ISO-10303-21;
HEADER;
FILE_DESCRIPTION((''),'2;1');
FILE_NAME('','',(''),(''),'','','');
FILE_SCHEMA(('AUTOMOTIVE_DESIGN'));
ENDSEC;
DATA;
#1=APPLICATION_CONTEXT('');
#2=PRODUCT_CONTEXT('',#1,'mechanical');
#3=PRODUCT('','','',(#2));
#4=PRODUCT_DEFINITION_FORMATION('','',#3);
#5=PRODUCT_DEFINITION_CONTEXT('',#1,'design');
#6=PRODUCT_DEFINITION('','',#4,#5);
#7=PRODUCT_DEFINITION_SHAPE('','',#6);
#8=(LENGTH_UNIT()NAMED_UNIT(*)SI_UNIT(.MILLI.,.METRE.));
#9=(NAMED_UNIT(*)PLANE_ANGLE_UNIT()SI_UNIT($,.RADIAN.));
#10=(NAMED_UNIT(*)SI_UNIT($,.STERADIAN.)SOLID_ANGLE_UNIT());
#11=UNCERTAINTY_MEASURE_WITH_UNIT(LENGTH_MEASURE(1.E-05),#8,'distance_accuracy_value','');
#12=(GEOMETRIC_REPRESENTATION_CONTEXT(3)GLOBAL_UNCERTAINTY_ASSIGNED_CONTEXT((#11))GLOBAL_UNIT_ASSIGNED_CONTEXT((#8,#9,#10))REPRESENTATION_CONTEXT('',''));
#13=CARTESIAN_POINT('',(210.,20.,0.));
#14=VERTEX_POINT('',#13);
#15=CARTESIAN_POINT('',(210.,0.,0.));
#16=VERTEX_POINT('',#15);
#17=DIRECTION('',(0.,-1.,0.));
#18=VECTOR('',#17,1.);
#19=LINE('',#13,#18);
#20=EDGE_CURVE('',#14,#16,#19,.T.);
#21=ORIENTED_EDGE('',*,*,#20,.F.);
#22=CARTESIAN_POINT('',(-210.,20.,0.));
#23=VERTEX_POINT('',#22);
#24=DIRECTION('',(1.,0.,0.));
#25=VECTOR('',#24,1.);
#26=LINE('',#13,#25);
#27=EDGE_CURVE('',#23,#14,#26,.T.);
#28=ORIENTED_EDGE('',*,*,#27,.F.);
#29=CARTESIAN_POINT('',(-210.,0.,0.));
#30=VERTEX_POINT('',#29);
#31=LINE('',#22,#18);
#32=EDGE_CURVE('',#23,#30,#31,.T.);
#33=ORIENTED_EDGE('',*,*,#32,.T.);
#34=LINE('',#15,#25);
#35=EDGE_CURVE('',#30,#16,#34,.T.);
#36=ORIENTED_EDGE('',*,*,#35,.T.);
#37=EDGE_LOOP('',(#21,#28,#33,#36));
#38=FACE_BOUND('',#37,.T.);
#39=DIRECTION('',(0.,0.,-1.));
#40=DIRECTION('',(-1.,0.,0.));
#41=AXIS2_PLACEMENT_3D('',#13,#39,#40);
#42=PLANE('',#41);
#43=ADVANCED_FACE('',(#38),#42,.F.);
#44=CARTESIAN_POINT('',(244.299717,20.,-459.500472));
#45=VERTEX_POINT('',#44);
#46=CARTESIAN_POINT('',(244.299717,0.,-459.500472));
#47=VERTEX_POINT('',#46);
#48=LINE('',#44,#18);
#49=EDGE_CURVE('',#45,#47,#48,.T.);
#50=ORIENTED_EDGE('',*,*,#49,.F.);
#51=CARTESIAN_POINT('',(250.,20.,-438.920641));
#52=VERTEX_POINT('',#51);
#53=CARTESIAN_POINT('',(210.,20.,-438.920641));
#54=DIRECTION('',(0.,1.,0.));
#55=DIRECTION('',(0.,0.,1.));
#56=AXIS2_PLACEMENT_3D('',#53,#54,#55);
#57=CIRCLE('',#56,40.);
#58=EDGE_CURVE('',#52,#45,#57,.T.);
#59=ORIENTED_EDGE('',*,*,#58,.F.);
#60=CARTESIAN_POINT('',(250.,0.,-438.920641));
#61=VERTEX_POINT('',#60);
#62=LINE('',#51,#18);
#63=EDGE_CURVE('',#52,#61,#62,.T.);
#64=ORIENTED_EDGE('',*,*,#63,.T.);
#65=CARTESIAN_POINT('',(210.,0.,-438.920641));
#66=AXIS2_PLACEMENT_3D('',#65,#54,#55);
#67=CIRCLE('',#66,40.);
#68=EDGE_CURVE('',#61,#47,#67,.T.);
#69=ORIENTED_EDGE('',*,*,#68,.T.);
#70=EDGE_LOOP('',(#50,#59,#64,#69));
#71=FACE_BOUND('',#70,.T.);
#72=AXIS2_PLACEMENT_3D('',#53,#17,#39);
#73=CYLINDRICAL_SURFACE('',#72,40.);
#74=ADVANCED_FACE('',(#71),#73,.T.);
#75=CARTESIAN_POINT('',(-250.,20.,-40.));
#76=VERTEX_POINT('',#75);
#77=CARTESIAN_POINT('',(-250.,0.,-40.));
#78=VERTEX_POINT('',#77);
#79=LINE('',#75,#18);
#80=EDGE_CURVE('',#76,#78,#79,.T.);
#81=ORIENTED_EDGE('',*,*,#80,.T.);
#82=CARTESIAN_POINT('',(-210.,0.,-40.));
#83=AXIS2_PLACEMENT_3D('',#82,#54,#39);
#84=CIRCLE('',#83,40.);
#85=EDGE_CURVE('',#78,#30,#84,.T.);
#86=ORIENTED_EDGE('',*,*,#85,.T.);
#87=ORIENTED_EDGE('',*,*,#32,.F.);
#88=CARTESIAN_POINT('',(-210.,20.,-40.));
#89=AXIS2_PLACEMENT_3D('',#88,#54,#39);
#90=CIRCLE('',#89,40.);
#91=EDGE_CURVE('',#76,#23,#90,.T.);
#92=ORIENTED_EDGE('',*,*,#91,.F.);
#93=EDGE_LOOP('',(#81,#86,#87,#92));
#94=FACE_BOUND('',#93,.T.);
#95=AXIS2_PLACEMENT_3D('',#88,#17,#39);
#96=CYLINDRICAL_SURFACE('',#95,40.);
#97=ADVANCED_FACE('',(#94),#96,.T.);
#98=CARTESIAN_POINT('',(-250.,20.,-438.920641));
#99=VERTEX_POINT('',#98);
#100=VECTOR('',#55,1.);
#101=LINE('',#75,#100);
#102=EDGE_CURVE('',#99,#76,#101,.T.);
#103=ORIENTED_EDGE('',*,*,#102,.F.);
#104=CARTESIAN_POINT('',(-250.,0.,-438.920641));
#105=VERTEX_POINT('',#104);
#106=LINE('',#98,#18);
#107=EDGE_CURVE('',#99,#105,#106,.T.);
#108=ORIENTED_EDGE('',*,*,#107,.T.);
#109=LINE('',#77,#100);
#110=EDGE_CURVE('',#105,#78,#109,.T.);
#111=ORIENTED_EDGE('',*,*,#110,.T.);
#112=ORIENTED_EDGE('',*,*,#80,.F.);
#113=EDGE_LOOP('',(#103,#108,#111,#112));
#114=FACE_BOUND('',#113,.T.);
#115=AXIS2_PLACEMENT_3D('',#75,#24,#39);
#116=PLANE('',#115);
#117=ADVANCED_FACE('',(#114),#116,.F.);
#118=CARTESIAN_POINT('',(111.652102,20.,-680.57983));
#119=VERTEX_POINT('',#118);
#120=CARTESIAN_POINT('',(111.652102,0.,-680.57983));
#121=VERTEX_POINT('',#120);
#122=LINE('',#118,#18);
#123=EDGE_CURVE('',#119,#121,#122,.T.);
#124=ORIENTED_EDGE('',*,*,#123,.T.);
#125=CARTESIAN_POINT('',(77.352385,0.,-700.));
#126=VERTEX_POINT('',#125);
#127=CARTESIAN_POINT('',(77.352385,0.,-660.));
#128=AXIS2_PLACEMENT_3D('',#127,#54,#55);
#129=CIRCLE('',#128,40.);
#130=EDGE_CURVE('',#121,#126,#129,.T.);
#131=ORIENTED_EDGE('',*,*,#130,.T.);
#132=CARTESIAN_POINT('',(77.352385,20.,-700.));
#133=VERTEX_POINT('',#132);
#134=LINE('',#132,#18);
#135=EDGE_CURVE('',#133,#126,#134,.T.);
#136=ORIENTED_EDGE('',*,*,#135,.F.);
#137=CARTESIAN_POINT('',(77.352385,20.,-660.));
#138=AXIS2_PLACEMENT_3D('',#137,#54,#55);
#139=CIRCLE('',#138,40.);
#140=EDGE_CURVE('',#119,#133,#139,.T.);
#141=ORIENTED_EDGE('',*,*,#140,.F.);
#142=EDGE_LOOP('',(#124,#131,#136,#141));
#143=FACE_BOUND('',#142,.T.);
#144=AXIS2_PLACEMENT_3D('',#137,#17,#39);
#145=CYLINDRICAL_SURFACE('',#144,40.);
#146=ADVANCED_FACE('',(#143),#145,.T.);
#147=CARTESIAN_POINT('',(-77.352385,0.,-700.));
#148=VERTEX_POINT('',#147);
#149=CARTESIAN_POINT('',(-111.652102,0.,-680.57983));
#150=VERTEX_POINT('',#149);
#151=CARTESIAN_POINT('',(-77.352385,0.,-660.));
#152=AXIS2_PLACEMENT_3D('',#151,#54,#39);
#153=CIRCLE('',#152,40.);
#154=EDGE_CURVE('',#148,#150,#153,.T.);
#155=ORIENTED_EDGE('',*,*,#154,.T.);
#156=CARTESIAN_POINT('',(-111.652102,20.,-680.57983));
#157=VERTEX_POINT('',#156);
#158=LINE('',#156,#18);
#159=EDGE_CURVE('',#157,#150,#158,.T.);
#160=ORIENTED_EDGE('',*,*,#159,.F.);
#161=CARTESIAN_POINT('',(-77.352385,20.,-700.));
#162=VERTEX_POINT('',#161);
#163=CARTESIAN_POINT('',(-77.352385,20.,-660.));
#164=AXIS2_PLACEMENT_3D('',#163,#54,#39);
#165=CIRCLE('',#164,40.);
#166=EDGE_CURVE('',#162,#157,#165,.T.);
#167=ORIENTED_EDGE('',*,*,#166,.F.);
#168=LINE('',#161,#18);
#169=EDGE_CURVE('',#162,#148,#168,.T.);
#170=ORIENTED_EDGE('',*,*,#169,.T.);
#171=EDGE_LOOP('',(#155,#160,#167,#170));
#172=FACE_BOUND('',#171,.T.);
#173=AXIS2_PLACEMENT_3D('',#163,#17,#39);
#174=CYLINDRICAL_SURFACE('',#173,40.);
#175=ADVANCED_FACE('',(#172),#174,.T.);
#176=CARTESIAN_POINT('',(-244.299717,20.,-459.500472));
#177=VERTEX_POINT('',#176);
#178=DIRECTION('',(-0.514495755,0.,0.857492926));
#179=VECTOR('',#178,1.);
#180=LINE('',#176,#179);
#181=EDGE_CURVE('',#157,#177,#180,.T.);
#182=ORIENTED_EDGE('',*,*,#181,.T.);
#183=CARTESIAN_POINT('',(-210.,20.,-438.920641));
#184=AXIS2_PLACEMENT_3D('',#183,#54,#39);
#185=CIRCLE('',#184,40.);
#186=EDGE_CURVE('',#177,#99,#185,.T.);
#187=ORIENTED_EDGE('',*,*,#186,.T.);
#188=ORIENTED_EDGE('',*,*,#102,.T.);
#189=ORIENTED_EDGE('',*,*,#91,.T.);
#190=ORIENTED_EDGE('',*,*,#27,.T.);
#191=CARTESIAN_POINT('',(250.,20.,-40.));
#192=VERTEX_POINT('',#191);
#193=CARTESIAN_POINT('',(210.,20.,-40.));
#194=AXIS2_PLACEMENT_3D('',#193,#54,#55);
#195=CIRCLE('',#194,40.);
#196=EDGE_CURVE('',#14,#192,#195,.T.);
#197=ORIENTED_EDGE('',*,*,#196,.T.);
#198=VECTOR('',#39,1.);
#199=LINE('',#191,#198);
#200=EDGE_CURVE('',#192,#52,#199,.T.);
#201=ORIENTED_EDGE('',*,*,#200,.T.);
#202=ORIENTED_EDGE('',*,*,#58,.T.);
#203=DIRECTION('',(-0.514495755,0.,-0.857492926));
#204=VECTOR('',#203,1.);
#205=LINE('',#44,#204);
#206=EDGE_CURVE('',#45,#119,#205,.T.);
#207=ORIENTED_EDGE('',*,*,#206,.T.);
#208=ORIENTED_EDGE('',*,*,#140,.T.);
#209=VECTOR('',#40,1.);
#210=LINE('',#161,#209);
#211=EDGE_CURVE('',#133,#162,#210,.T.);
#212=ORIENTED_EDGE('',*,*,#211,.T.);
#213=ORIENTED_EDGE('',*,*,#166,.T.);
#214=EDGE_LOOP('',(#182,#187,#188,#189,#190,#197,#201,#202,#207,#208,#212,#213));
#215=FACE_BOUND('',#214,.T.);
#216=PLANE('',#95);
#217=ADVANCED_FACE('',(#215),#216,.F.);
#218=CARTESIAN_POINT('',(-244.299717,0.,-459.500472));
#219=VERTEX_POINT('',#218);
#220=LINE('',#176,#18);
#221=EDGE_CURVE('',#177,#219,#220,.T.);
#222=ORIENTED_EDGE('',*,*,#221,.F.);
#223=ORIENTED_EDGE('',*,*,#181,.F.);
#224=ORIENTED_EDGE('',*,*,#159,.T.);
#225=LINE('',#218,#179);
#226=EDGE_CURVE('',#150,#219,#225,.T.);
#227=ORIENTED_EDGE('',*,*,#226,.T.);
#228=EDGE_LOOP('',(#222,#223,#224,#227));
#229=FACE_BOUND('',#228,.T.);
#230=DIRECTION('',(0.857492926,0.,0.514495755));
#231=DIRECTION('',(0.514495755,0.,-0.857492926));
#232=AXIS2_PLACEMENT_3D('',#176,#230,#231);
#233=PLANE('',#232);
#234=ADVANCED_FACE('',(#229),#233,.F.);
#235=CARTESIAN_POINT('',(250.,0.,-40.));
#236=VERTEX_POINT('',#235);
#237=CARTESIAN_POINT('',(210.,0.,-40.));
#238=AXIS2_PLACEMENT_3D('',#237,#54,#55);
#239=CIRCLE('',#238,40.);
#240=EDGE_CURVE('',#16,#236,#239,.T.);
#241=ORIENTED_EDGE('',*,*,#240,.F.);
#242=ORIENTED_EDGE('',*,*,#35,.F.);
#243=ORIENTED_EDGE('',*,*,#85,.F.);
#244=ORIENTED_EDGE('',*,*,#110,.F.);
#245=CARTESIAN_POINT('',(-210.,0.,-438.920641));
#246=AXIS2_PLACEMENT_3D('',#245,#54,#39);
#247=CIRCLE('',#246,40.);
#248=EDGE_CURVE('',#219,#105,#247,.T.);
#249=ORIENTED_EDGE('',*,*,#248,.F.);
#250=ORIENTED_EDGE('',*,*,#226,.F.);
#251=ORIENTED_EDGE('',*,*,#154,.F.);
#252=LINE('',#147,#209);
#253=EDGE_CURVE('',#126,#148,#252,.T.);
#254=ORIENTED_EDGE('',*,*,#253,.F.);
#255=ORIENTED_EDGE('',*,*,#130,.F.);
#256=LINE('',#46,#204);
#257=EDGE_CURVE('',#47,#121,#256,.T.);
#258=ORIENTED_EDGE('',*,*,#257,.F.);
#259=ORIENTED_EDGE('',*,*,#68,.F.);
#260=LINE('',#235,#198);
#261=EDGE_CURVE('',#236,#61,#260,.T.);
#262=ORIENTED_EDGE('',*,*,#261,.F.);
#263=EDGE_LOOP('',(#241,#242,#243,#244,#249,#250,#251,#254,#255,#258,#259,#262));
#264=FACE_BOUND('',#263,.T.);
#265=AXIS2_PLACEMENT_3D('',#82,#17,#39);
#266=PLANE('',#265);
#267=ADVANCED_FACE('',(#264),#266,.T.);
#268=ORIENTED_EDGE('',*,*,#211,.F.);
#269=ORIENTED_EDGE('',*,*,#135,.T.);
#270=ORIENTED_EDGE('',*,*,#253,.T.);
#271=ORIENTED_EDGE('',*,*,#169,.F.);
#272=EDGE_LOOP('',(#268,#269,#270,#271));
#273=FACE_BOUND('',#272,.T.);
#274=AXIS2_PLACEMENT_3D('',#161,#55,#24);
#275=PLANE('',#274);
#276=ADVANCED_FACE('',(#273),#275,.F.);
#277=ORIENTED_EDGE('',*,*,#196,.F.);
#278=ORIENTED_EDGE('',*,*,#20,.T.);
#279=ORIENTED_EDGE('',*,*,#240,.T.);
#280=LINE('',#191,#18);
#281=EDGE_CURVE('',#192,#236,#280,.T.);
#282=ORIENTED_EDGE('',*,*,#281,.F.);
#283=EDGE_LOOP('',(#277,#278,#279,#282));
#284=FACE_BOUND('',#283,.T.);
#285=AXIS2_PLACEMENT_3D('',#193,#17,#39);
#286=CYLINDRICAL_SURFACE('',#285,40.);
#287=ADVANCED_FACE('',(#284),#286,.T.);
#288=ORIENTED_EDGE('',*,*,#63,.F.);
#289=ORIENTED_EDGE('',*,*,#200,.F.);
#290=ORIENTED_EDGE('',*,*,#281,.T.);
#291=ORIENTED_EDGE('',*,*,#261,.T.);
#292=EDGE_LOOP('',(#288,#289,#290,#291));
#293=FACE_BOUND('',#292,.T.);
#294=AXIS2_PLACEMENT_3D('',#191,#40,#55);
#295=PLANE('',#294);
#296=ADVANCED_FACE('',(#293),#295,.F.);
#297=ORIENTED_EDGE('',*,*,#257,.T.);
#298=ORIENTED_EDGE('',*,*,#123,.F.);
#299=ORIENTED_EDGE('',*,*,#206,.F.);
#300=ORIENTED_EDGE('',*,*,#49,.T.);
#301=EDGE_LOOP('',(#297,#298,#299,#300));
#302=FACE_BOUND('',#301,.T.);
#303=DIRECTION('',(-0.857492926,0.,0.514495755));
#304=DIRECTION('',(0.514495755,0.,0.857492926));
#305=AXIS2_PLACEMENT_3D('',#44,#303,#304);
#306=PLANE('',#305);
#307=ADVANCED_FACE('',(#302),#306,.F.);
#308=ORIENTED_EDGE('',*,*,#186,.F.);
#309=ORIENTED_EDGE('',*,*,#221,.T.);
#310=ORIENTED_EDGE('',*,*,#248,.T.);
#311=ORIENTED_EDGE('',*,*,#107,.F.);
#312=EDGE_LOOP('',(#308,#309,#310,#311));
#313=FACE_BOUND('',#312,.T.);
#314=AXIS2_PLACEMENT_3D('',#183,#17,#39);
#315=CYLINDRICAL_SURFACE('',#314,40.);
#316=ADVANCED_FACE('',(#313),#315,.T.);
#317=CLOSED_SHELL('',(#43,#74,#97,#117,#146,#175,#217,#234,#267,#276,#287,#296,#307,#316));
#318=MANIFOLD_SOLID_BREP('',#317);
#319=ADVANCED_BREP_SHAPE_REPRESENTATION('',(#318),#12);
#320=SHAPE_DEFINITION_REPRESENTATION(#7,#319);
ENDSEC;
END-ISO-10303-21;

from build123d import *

# Parameters (mm, degrees)
EXTRUDE_1_DEPTH = 20


with BuildPart() as part:
    # Эскиз1 → Бобышка-Вытянуть1 (new body)
    with BuildSketch(Plane(origin=(0, 0, 0), x_dir=(1, 0, 0), z_dir=(0, 1, 0))):
        with BuildLine():
            Line((210, 0), (-210, 0))
            ThreePointArc((-210, 0), (-238.284271247, 11.715728753), (-250, 40))
            Line((-250, 40), (-250, 438.920641402))
            ThreePointArc((-250, 438.920641402), (-248.548597128, 449.597984678), (-244.299717029, 459.500471619))
            Line((-244.299717029, 459.500471619), (-111.65210187, 680.579830217))
            ThreePointArc((-111.65210187, 680.579830217), (-97.060337441, 694.80799627), (-77.352384841, 700))
            Line((-77.352384841, 700), (77.352384841, 700))
            ThreePointArc((77.352384841, 700), (97.060337441, 694.80799627), (111.65210187, 680.579830217))
            Line((111.65210187, 680.579830217), (244.299717029, 459.500471619))
            ThreePointArc((244.299717029, 459.500471619), (248.548597128, 449.597984678), (250, 438.920641402))
            Line((250, 438.920641402), (250, 40))
            ThreePointArc((250, 40), (238.284271247, 11.715728753), (210, 0))
        make_face()
    extrude(amount=EXTRUDE_1_DEPTH)


solid = part.part
